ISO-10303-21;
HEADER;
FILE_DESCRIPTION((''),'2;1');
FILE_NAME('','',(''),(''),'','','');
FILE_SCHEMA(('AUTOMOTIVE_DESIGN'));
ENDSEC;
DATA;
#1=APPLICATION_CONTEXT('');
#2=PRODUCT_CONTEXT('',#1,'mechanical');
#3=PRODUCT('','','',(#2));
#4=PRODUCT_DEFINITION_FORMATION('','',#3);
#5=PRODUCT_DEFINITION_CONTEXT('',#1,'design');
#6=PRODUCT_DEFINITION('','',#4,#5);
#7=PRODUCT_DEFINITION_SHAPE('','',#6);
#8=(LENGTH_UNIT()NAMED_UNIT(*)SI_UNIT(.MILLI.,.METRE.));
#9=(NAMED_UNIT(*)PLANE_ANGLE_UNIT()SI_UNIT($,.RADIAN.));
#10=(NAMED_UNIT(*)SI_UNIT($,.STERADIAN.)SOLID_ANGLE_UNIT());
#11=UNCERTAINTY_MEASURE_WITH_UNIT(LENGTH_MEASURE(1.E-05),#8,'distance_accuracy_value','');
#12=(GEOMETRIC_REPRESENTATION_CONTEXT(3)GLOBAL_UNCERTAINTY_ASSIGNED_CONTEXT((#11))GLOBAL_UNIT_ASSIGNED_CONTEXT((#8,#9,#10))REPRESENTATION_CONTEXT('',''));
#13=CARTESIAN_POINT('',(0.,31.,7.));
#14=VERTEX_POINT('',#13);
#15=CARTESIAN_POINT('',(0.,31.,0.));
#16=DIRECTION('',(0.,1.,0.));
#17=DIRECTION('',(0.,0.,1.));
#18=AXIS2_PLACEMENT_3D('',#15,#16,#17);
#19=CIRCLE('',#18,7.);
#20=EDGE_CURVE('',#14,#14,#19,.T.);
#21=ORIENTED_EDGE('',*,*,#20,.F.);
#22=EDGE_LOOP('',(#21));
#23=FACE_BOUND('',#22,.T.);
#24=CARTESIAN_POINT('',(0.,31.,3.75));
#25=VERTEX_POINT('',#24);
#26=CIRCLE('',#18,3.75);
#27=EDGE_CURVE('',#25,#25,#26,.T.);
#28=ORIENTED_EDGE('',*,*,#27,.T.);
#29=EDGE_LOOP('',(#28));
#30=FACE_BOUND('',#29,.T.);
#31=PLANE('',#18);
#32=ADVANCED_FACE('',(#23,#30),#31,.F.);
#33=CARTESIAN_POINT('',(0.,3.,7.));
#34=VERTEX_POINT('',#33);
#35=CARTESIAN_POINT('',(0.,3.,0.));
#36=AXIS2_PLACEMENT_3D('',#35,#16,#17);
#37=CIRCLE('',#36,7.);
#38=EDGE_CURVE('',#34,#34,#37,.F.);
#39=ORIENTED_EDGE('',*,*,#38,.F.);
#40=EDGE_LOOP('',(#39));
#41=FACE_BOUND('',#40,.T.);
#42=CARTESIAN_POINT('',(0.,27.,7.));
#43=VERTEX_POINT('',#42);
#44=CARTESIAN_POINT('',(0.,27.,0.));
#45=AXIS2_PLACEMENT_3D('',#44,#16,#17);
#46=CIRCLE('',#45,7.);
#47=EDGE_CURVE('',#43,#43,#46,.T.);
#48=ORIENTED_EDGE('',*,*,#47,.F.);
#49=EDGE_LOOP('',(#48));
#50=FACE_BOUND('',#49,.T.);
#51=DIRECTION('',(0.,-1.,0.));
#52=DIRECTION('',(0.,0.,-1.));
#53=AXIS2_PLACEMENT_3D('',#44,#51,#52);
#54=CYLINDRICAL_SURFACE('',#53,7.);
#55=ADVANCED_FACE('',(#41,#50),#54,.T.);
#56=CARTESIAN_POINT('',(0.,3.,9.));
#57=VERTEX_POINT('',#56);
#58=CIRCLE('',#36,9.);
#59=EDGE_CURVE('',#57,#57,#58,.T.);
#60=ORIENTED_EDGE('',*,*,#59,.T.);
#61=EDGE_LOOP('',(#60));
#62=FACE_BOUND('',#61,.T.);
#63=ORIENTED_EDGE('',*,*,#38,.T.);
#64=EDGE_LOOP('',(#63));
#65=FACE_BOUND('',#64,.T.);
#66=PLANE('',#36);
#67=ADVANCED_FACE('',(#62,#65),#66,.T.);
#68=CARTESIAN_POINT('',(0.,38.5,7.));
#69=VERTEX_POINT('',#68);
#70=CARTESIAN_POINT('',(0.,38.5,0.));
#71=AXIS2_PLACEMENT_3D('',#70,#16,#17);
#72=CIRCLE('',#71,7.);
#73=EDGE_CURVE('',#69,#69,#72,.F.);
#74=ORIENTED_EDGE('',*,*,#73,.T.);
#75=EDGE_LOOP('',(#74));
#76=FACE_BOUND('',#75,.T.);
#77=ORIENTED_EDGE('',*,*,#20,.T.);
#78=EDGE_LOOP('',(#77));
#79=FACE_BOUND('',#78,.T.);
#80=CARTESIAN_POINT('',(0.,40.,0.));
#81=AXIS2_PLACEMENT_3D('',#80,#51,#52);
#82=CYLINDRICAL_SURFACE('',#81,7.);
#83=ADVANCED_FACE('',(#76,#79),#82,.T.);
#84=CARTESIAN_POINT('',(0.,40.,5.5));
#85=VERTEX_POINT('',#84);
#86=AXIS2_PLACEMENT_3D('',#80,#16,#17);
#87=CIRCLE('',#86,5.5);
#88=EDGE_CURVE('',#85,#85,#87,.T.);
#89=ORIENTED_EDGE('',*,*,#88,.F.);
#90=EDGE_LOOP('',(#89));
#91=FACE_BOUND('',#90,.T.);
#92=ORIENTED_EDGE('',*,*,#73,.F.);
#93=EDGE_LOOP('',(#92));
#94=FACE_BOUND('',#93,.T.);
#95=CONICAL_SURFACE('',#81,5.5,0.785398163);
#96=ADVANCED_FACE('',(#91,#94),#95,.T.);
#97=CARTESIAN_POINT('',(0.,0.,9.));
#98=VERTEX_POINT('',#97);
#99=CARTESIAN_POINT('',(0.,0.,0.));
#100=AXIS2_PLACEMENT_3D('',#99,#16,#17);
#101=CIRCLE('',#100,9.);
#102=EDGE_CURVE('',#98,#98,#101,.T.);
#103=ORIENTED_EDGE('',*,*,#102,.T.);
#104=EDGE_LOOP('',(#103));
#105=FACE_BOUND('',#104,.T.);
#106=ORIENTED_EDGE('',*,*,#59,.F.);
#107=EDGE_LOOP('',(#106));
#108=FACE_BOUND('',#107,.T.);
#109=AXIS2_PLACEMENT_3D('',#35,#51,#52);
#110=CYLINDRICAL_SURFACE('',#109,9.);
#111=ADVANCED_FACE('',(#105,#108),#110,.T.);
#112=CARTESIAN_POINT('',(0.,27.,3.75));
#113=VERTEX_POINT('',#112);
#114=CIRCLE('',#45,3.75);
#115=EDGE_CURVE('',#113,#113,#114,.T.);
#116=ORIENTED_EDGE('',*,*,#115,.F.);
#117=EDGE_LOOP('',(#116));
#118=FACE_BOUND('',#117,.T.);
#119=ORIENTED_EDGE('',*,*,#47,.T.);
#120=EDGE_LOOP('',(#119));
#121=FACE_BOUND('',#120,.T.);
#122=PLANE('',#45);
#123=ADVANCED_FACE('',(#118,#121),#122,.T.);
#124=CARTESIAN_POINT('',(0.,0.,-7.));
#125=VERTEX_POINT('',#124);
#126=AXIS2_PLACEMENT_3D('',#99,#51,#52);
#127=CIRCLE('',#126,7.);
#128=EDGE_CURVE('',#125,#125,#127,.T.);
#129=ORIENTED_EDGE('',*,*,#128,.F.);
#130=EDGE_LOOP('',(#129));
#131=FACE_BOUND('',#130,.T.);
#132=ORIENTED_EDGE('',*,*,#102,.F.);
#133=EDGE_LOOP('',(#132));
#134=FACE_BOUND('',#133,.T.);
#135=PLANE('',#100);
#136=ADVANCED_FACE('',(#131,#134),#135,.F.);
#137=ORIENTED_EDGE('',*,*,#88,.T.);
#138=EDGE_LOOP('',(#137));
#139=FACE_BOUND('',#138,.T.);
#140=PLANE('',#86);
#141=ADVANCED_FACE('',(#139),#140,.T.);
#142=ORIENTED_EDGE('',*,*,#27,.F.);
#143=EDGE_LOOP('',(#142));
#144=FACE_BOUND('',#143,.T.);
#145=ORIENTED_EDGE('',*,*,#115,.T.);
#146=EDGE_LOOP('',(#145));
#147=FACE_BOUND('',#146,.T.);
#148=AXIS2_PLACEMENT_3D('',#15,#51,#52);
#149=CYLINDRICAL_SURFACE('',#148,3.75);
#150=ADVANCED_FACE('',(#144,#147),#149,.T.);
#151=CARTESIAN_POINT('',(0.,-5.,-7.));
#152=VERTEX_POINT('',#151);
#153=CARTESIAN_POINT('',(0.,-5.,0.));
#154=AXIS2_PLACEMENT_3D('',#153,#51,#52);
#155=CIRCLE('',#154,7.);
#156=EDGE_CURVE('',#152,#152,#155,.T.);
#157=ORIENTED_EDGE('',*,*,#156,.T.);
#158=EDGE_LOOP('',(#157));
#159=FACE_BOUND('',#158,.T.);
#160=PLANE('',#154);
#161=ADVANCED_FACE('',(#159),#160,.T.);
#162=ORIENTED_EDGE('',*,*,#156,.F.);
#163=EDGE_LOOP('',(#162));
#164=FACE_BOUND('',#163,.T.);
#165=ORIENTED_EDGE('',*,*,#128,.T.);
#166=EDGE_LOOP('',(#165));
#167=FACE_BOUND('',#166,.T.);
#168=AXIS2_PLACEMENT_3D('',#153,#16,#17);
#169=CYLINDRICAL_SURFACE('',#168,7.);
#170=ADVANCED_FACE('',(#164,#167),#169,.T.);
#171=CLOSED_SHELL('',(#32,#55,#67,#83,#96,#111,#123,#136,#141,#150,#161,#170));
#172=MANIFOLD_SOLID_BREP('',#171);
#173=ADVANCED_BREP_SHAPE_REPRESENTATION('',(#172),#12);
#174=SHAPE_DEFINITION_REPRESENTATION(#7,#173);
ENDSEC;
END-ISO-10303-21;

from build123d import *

# Parameters (mm, degrees)
CROQUIS1_R              = 9
SALIENTE_EXTRUIR1_DEPTH = 3
CROQUIS2_R              = 7
SALIENTE_EXTRUIR2_DEPTH = 27
CROQUIS4_R              = 3.75
SALIENTE_EXTRUIR3_DEPTH = 4
CROQUIS5_R              = 7
SALIENTE_EXTRUIR4_DEPTH = 9
CROQUIS7_R              = 7
SALIENTE_EXTRUIR5_DEPTH = 5
CHAFL_N1_SIZE           = 1.5


with BuildPart() as part:
    # Croquis1 → Saliente-Extruir1 (new body)
    with BuildSketch(Plane(origin=(0, 0, 0), x_dir=(1, 0, 0), z_dir=(0, 1, 0))):
        Circle(CROQUIS1_R)
    extrude(amount=SALIENTE_EXTRUIR1_DEPTH)

    # Croquis2 → Saliente-Extruir2 (add)
    with BuildSketch(Plane(origin=(0, 0, 0), x_dir=(1, 0, 0), z_dir=(0, 1, 0))):
        Circle(CROQUIS2_R)
    extrude(amount=SALIENTE_EXTRUIR2_DEPTH)

    # Croquis4 → Saliente-Extruir3 (add)
    with BuildSketch(Plane(origin=(0, 27, 0), x_dir=(1, 0, 0), z_dir=(0, 1, 0))):
        Circle(CROQUIS4_R)
    extrude(amount=SALIENTE_EXTRUIR3_DEPTH)

    # Croquis5 → Saliente-Extruir4 (add)
    with BuildSketch(Plane(origin=(0, 31, 0), x_dir=(1, 0, 0), z_dir=(0, 1, 0))):
        Circle(CROQUIS5_R)
    extrude(amount=SALIENTE_EXTRUIR4_DEPTH)

    # Croquis7 → Saliente-Extruir5 (add)
    with BuildSketch(Plane.XZ):
        Circle(CROQUIS7_R)
    extrude(amount=SALIENTE_EXTRUIR5_DEPTH)

    # Chaflán1
    chafl_n1_edges = [part.edges().sort_by_distance(p)[0] for p in [
        (-7, 40, 0),
    ]]
    chamfer(chafl_n1_edges, length=CHAFL_N1_SIZE)


solid = part.part
